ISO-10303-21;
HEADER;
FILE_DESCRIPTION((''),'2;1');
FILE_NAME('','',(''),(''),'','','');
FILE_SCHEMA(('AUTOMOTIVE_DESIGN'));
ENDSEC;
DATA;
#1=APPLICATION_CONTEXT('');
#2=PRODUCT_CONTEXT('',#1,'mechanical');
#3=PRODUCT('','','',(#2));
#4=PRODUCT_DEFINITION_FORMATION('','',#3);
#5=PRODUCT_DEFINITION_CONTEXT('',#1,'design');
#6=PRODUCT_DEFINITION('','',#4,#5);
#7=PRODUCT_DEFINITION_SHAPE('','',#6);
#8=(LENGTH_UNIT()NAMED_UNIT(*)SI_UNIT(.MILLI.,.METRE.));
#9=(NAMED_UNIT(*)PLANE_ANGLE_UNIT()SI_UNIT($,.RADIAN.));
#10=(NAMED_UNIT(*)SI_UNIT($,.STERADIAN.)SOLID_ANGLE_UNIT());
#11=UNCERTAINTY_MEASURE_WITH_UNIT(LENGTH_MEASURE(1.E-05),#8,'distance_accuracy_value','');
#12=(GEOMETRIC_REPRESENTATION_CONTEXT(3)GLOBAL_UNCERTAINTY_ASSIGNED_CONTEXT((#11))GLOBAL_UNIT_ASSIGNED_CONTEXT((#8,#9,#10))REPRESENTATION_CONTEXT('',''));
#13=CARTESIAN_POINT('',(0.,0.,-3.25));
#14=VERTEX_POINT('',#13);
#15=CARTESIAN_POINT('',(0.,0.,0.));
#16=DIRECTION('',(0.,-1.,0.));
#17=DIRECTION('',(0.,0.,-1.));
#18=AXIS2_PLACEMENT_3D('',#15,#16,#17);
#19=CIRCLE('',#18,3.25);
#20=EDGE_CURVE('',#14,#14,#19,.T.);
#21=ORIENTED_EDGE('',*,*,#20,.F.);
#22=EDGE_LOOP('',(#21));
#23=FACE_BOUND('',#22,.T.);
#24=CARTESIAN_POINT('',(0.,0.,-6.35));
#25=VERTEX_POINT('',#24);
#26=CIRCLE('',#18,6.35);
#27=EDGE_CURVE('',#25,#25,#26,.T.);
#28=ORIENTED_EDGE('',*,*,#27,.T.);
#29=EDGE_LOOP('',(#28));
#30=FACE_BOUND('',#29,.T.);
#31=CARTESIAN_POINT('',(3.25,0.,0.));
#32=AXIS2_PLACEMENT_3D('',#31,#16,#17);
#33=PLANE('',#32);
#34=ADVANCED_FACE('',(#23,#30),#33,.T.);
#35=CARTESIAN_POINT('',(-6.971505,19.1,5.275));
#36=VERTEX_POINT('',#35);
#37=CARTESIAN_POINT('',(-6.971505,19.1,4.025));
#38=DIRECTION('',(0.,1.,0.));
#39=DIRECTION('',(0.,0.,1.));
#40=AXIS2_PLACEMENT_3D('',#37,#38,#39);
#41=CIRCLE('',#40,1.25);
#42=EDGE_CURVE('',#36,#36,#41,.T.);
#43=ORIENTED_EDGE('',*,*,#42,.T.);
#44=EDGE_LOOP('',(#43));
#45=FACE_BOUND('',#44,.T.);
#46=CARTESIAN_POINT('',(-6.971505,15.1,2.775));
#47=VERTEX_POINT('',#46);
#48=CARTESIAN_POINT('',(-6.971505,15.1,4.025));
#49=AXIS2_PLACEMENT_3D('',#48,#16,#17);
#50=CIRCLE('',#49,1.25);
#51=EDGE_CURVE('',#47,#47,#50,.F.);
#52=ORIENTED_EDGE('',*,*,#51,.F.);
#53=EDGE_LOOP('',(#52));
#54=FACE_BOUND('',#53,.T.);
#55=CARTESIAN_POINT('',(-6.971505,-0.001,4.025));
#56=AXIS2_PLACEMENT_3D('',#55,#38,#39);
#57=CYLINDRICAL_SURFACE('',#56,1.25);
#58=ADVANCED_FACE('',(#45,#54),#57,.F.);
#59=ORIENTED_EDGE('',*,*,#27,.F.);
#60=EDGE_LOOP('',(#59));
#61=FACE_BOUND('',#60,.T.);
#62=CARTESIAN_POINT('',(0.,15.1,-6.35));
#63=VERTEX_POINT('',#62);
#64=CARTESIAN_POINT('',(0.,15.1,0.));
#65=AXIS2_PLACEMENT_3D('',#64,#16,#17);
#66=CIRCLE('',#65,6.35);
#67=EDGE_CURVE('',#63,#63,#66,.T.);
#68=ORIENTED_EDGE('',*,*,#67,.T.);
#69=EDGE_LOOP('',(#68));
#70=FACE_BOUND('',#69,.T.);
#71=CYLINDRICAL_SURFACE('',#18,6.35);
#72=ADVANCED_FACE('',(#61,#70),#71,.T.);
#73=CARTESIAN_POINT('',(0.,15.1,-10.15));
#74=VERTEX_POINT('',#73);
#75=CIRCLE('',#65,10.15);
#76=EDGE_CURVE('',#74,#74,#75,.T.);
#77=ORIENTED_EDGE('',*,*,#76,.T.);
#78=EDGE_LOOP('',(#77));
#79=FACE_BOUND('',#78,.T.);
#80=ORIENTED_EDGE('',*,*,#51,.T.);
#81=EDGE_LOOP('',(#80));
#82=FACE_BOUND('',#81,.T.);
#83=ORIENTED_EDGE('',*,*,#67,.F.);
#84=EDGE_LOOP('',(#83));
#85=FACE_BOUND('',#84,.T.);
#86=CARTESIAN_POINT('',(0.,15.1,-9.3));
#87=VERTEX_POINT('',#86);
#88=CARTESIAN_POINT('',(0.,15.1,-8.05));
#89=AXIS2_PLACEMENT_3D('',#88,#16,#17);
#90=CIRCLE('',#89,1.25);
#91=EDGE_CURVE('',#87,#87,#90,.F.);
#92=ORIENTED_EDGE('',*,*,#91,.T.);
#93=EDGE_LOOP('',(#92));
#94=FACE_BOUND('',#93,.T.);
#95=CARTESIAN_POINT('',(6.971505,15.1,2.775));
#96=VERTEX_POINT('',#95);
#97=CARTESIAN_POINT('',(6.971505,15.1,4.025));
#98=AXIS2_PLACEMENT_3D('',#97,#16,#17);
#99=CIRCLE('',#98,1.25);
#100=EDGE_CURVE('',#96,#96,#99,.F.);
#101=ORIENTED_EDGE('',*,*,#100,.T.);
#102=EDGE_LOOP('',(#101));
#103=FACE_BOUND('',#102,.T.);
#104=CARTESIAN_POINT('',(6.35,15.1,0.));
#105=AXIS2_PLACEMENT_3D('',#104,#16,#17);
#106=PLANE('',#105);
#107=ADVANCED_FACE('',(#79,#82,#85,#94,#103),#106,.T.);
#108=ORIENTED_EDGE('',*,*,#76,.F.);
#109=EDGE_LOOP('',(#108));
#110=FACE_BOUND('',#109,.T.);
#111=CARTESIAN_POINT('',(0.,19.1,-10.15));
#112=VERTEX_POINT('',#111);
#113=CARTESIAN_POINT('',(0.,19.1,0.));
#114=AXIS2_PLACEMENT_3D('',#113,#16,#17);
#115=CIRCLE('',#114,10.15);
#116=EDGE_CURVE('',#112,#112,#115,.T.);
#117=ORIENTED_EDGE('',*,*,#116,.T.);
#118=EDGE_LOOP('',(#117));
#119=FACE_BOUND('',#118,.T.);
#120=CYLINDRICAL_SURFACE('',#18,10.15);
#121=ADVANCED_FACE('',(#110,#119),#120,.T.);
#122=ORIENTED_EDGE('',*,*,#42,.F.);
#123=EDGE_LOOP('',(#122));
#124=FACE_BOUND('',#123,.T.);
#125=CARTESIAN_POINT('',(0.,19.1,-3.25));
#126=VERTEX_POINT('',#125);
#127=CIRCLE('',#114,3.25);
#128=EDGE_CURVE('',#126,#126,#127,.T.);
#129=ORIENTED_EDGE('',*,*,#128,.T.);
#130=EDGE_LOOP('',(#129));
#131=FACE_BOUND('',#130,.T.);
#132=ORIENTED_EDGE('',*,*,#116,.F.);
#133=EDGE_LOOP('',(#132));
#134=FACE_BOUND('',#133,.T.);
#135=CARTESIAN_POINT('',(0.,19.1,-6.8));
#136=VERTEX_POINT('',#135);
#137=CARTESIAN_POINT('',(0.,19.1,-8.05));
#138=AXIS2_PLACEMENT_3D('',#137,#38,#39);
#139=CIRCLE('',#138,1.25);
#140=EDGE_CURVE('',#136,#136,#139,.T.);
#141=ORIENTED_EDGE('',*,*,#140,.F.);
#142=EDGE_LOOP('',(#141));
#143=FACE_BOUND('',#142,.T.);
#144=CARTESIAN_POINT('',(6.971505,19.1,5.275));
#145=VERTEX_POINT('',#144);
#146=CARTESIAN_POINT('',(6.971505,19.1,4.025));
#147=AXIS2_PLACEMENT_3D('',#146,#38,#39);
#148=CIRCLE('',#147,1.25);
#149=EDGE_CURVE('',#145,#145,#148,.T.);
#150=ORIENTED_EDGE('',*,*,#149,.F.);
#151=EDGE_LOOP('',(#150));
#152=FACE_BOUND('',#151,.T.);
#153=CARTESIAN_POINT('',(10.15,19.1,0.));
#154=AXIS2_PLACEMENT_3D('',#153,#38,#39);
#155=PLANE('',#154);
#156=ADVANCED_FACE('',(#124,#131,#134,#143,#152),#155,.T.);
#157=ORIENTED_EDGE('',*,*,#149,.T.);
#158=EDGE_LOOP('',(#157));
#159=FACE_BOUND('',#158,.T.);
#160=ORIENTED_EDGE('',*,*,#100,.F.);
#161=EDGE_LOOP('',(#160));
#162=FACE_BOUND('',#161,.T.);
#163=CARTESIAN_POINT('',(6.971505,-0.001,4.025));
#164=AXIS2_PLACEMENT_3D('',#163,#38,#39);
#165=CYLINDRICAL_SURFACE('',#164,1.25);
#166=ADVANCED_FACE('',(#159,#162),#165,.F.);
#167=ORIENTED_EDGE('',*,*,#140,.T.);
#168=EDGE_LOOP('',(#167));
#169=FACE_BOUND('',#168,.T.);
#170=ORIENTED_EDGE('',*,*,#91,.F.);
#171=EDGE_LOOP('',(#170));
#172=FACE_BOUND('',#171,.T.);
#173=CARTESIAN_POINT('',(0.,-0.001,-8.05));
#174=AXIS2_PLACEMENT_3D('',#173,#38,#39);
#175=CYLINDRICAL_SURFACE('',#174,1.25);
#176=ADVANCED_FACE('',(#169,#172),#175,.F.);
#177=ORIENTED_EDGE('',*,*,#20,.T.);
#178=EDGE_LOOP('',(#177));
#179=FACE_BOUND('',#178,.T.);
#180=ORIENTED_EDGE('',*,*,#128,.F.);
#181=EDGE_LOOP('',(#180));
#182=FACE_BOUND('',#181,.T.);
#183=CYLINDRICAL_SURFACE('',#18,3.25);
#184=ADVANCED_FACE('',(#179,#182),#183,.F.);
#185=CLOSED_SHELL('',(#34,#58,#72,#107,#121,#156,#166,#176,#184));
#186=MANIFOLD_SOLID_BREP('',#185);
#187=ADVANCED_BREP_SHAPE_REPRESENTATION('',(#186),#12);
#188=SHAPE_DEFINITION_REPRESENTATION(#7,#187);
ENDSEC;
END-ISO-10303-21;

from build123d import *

# Parameters (mm, degrees)
CORTAR_EXTRUIR1_REACH     = 21.1
CROQUIS2_R                = 1.25
TALADRO_ROSCADO_M31_D     = 2.5
TALADRO_ROSCADO_M31_DEPTH = 8.5
TALADRO_ROSCADO_M31_TIP   = 0.751075774


with BuildPart() as part:
    # Croquis1 → Revolución1 (revolve)
    with BuildSketch(Plane.XY):
        Polygon((6.35, 0), (6.35, 15.1), (10.15, 15.1), (10.15, 19.1), (3.25, 19.1), (3.25, 0), align=None)
    revolve(axis=Axis((0, 0, 0), (0, 1, 0)))

    # Croquis2 → Cortar-Extruir1 (cut, up to next)
    with BuildSketch(Plane(origin=(0, 19.1, 0), x_dir=(1, 0, 0), z_dir=(0, 1, 0)), mode=Mode.PRIVATE) as cortar_extruir1_sk1:
        with Locations((6.9715045, -4.025)):
            Circle(CROQUIS2_R)
    cortar_extruir1_tool1 = extrude(cortar_extruir1_sk1.sketch, amount=-CORTAR_EXTRUIR1_REACH, mode=Mode.PRIVATE) & part.part
    add(cortar_extruir1_tool1.solids().sort_by_distance((6.971505, 19.1, 4.025))[0], mode=Mode.SUBTRACT)
    # Croquis2 → Cortar-Extruir1 (cut, up to next)
    with BuildSketch(Plane(origin=(0, 19.1, 0), x_dir=(1, 0, 0), z_dir=(0, 1, 0)), mode=Mode.PRIVATE) as cortar_extruir1_sk2:
        with Locations((0, 8.05)):
            Circle(CROQUIS2_R)
    cortar_extruir1_tool2 = extrude(cortar_extruir1_sk2.sketch, amount=-CORTAR_EXTRUIR1_REACH, mode=Mode.PRIVATE) & part.part
    add(cortar_extruir1_tool2.solids().sort_by_distance((0, 19.1, -8.05))[0], mode=Mode.SUBTRACT)
    # Croquis2 → Cortar-Extruir1 (cut, up to next)
    with BuildSketch(Plane(origin=(0, 19.1, 0), x_dir=(1, 0, 0), z_dir=(0, 1, 0)), mode=Mode.PRIVATE) as cortar_extruir1_sk3:
        with Locations((-6.9715045, -4.025)):
            Circle(CROQUIS2_R)
    cortar_extruir1_tool3 = extrude(cortar_extruir1_sk3.sketch, amount=-CORTAR_EXTRUIR1_REACH, mode=Mode.PRIVATE) & part.part
    add(cortar_extruir1_tool3.solids().sort_by_distance((-6.971505, 19.1, 4.025))[0], mode=Mode.SUBTRACT)

    # Taladro roscado M31
    with Locations(Plane(origin=(0, 15.1, -8.05), x_dir=(0, 0, -1), z_dir=(0, -1, 0))):
        with Locations((0, 0), (-12.075, 6.9715045), (-12.075, -6.9715045)):
            Hole(TALADRO_ROSCADO_M31_D / 2, depth=TALADRO_ROSCADO_M31_DEPTH)
            with Locations((0, 0, -(TALADRO_ROSCADO_M31_DEPTH + TALADRO_ROSCADO_M31_TIP / 2))):  # 118° drill point
                Cone(0, TALADRO_ROSCADO_M31_D / 2, TALADRO_ROSCADO_M31_TIP, mode=Mode.SUBTRACT)


solid = part.part
